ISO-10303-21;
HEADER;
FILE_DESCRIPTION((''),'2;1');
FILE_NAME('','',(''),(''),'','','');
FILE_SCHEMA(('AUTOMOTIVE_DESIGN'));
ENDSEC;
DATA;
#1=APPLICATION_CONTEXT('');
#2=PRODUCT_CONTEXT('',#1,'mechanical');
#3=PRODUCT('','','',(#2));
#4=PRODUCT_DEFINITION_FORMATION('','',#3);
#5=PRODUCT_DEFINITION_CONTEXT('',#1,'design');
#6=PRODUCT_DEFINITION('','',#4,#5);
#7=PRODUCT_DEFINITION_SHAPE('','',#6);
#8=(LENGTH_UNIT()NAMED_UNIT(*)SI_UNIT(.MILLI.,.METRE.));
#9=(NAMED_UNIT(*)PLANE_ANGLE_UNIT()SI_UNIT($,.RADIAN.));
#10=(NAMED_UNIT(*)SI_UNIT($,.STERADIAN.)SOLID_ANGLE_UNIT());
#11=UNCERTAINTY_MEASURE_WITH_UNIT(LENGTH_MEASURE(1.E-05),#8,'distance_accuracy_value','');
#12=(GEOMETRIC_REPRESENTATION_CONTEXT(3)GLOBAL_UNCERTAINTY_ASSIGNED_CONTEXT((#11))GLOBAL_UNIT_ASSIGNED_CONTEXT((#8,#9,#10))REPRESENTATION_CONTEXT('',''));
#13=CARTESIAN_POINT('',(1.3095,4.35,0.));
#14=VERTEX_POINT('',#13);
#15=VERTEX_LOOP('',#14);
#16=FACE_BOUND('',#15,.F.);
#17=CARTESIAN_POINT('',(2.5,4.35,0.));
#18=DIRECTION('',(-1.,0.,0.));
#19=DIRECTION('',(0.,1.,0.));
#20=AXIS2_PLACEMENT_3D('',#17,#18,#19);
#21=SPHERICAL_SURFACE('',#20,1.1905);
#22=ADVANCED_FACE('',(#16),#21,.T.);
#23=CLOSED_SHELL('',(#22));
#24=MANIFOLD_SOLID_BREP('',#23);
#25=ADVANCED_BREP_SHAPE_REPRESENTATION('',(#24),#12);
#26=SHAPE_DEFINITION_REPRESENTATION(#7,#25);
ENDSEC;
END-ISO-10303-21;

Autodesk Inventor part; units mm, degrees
ref_plane "YZ Plane" through (0, 0, 0) normal (1, 0, 0) x (0, 1, 0)
ref_plane "XZ Plane" through (0, 0, 0) normal (0, 1, 0) x (-1, 0, 0)
ref_plane "XY Plane" through (0, 0, 0) normal (0, 0, 1) x (1, 0, 0)
sketch "Sketch_6" plane through (0, 0, 0) normal (0, 0, 1) x (1, 0, 0)
  line L0 (3.6905, 4.35) -> (1.3095, 4.35)
  arc A0 (3.6905, 4.35) -> (1.3095, 4.35) centre (2.5, 4.35) ccw
  line L1 (3.6905, 4.35) -> (1.3095, 4.35)
  dimension "d0" = 360
revolve "Revolution1" add sketch "Sketch_6" angle 360 about axis through (3.6905, 4.35, 0) along (1, 0, 0)
properties part number "SKF_624-2Z_PART3"
